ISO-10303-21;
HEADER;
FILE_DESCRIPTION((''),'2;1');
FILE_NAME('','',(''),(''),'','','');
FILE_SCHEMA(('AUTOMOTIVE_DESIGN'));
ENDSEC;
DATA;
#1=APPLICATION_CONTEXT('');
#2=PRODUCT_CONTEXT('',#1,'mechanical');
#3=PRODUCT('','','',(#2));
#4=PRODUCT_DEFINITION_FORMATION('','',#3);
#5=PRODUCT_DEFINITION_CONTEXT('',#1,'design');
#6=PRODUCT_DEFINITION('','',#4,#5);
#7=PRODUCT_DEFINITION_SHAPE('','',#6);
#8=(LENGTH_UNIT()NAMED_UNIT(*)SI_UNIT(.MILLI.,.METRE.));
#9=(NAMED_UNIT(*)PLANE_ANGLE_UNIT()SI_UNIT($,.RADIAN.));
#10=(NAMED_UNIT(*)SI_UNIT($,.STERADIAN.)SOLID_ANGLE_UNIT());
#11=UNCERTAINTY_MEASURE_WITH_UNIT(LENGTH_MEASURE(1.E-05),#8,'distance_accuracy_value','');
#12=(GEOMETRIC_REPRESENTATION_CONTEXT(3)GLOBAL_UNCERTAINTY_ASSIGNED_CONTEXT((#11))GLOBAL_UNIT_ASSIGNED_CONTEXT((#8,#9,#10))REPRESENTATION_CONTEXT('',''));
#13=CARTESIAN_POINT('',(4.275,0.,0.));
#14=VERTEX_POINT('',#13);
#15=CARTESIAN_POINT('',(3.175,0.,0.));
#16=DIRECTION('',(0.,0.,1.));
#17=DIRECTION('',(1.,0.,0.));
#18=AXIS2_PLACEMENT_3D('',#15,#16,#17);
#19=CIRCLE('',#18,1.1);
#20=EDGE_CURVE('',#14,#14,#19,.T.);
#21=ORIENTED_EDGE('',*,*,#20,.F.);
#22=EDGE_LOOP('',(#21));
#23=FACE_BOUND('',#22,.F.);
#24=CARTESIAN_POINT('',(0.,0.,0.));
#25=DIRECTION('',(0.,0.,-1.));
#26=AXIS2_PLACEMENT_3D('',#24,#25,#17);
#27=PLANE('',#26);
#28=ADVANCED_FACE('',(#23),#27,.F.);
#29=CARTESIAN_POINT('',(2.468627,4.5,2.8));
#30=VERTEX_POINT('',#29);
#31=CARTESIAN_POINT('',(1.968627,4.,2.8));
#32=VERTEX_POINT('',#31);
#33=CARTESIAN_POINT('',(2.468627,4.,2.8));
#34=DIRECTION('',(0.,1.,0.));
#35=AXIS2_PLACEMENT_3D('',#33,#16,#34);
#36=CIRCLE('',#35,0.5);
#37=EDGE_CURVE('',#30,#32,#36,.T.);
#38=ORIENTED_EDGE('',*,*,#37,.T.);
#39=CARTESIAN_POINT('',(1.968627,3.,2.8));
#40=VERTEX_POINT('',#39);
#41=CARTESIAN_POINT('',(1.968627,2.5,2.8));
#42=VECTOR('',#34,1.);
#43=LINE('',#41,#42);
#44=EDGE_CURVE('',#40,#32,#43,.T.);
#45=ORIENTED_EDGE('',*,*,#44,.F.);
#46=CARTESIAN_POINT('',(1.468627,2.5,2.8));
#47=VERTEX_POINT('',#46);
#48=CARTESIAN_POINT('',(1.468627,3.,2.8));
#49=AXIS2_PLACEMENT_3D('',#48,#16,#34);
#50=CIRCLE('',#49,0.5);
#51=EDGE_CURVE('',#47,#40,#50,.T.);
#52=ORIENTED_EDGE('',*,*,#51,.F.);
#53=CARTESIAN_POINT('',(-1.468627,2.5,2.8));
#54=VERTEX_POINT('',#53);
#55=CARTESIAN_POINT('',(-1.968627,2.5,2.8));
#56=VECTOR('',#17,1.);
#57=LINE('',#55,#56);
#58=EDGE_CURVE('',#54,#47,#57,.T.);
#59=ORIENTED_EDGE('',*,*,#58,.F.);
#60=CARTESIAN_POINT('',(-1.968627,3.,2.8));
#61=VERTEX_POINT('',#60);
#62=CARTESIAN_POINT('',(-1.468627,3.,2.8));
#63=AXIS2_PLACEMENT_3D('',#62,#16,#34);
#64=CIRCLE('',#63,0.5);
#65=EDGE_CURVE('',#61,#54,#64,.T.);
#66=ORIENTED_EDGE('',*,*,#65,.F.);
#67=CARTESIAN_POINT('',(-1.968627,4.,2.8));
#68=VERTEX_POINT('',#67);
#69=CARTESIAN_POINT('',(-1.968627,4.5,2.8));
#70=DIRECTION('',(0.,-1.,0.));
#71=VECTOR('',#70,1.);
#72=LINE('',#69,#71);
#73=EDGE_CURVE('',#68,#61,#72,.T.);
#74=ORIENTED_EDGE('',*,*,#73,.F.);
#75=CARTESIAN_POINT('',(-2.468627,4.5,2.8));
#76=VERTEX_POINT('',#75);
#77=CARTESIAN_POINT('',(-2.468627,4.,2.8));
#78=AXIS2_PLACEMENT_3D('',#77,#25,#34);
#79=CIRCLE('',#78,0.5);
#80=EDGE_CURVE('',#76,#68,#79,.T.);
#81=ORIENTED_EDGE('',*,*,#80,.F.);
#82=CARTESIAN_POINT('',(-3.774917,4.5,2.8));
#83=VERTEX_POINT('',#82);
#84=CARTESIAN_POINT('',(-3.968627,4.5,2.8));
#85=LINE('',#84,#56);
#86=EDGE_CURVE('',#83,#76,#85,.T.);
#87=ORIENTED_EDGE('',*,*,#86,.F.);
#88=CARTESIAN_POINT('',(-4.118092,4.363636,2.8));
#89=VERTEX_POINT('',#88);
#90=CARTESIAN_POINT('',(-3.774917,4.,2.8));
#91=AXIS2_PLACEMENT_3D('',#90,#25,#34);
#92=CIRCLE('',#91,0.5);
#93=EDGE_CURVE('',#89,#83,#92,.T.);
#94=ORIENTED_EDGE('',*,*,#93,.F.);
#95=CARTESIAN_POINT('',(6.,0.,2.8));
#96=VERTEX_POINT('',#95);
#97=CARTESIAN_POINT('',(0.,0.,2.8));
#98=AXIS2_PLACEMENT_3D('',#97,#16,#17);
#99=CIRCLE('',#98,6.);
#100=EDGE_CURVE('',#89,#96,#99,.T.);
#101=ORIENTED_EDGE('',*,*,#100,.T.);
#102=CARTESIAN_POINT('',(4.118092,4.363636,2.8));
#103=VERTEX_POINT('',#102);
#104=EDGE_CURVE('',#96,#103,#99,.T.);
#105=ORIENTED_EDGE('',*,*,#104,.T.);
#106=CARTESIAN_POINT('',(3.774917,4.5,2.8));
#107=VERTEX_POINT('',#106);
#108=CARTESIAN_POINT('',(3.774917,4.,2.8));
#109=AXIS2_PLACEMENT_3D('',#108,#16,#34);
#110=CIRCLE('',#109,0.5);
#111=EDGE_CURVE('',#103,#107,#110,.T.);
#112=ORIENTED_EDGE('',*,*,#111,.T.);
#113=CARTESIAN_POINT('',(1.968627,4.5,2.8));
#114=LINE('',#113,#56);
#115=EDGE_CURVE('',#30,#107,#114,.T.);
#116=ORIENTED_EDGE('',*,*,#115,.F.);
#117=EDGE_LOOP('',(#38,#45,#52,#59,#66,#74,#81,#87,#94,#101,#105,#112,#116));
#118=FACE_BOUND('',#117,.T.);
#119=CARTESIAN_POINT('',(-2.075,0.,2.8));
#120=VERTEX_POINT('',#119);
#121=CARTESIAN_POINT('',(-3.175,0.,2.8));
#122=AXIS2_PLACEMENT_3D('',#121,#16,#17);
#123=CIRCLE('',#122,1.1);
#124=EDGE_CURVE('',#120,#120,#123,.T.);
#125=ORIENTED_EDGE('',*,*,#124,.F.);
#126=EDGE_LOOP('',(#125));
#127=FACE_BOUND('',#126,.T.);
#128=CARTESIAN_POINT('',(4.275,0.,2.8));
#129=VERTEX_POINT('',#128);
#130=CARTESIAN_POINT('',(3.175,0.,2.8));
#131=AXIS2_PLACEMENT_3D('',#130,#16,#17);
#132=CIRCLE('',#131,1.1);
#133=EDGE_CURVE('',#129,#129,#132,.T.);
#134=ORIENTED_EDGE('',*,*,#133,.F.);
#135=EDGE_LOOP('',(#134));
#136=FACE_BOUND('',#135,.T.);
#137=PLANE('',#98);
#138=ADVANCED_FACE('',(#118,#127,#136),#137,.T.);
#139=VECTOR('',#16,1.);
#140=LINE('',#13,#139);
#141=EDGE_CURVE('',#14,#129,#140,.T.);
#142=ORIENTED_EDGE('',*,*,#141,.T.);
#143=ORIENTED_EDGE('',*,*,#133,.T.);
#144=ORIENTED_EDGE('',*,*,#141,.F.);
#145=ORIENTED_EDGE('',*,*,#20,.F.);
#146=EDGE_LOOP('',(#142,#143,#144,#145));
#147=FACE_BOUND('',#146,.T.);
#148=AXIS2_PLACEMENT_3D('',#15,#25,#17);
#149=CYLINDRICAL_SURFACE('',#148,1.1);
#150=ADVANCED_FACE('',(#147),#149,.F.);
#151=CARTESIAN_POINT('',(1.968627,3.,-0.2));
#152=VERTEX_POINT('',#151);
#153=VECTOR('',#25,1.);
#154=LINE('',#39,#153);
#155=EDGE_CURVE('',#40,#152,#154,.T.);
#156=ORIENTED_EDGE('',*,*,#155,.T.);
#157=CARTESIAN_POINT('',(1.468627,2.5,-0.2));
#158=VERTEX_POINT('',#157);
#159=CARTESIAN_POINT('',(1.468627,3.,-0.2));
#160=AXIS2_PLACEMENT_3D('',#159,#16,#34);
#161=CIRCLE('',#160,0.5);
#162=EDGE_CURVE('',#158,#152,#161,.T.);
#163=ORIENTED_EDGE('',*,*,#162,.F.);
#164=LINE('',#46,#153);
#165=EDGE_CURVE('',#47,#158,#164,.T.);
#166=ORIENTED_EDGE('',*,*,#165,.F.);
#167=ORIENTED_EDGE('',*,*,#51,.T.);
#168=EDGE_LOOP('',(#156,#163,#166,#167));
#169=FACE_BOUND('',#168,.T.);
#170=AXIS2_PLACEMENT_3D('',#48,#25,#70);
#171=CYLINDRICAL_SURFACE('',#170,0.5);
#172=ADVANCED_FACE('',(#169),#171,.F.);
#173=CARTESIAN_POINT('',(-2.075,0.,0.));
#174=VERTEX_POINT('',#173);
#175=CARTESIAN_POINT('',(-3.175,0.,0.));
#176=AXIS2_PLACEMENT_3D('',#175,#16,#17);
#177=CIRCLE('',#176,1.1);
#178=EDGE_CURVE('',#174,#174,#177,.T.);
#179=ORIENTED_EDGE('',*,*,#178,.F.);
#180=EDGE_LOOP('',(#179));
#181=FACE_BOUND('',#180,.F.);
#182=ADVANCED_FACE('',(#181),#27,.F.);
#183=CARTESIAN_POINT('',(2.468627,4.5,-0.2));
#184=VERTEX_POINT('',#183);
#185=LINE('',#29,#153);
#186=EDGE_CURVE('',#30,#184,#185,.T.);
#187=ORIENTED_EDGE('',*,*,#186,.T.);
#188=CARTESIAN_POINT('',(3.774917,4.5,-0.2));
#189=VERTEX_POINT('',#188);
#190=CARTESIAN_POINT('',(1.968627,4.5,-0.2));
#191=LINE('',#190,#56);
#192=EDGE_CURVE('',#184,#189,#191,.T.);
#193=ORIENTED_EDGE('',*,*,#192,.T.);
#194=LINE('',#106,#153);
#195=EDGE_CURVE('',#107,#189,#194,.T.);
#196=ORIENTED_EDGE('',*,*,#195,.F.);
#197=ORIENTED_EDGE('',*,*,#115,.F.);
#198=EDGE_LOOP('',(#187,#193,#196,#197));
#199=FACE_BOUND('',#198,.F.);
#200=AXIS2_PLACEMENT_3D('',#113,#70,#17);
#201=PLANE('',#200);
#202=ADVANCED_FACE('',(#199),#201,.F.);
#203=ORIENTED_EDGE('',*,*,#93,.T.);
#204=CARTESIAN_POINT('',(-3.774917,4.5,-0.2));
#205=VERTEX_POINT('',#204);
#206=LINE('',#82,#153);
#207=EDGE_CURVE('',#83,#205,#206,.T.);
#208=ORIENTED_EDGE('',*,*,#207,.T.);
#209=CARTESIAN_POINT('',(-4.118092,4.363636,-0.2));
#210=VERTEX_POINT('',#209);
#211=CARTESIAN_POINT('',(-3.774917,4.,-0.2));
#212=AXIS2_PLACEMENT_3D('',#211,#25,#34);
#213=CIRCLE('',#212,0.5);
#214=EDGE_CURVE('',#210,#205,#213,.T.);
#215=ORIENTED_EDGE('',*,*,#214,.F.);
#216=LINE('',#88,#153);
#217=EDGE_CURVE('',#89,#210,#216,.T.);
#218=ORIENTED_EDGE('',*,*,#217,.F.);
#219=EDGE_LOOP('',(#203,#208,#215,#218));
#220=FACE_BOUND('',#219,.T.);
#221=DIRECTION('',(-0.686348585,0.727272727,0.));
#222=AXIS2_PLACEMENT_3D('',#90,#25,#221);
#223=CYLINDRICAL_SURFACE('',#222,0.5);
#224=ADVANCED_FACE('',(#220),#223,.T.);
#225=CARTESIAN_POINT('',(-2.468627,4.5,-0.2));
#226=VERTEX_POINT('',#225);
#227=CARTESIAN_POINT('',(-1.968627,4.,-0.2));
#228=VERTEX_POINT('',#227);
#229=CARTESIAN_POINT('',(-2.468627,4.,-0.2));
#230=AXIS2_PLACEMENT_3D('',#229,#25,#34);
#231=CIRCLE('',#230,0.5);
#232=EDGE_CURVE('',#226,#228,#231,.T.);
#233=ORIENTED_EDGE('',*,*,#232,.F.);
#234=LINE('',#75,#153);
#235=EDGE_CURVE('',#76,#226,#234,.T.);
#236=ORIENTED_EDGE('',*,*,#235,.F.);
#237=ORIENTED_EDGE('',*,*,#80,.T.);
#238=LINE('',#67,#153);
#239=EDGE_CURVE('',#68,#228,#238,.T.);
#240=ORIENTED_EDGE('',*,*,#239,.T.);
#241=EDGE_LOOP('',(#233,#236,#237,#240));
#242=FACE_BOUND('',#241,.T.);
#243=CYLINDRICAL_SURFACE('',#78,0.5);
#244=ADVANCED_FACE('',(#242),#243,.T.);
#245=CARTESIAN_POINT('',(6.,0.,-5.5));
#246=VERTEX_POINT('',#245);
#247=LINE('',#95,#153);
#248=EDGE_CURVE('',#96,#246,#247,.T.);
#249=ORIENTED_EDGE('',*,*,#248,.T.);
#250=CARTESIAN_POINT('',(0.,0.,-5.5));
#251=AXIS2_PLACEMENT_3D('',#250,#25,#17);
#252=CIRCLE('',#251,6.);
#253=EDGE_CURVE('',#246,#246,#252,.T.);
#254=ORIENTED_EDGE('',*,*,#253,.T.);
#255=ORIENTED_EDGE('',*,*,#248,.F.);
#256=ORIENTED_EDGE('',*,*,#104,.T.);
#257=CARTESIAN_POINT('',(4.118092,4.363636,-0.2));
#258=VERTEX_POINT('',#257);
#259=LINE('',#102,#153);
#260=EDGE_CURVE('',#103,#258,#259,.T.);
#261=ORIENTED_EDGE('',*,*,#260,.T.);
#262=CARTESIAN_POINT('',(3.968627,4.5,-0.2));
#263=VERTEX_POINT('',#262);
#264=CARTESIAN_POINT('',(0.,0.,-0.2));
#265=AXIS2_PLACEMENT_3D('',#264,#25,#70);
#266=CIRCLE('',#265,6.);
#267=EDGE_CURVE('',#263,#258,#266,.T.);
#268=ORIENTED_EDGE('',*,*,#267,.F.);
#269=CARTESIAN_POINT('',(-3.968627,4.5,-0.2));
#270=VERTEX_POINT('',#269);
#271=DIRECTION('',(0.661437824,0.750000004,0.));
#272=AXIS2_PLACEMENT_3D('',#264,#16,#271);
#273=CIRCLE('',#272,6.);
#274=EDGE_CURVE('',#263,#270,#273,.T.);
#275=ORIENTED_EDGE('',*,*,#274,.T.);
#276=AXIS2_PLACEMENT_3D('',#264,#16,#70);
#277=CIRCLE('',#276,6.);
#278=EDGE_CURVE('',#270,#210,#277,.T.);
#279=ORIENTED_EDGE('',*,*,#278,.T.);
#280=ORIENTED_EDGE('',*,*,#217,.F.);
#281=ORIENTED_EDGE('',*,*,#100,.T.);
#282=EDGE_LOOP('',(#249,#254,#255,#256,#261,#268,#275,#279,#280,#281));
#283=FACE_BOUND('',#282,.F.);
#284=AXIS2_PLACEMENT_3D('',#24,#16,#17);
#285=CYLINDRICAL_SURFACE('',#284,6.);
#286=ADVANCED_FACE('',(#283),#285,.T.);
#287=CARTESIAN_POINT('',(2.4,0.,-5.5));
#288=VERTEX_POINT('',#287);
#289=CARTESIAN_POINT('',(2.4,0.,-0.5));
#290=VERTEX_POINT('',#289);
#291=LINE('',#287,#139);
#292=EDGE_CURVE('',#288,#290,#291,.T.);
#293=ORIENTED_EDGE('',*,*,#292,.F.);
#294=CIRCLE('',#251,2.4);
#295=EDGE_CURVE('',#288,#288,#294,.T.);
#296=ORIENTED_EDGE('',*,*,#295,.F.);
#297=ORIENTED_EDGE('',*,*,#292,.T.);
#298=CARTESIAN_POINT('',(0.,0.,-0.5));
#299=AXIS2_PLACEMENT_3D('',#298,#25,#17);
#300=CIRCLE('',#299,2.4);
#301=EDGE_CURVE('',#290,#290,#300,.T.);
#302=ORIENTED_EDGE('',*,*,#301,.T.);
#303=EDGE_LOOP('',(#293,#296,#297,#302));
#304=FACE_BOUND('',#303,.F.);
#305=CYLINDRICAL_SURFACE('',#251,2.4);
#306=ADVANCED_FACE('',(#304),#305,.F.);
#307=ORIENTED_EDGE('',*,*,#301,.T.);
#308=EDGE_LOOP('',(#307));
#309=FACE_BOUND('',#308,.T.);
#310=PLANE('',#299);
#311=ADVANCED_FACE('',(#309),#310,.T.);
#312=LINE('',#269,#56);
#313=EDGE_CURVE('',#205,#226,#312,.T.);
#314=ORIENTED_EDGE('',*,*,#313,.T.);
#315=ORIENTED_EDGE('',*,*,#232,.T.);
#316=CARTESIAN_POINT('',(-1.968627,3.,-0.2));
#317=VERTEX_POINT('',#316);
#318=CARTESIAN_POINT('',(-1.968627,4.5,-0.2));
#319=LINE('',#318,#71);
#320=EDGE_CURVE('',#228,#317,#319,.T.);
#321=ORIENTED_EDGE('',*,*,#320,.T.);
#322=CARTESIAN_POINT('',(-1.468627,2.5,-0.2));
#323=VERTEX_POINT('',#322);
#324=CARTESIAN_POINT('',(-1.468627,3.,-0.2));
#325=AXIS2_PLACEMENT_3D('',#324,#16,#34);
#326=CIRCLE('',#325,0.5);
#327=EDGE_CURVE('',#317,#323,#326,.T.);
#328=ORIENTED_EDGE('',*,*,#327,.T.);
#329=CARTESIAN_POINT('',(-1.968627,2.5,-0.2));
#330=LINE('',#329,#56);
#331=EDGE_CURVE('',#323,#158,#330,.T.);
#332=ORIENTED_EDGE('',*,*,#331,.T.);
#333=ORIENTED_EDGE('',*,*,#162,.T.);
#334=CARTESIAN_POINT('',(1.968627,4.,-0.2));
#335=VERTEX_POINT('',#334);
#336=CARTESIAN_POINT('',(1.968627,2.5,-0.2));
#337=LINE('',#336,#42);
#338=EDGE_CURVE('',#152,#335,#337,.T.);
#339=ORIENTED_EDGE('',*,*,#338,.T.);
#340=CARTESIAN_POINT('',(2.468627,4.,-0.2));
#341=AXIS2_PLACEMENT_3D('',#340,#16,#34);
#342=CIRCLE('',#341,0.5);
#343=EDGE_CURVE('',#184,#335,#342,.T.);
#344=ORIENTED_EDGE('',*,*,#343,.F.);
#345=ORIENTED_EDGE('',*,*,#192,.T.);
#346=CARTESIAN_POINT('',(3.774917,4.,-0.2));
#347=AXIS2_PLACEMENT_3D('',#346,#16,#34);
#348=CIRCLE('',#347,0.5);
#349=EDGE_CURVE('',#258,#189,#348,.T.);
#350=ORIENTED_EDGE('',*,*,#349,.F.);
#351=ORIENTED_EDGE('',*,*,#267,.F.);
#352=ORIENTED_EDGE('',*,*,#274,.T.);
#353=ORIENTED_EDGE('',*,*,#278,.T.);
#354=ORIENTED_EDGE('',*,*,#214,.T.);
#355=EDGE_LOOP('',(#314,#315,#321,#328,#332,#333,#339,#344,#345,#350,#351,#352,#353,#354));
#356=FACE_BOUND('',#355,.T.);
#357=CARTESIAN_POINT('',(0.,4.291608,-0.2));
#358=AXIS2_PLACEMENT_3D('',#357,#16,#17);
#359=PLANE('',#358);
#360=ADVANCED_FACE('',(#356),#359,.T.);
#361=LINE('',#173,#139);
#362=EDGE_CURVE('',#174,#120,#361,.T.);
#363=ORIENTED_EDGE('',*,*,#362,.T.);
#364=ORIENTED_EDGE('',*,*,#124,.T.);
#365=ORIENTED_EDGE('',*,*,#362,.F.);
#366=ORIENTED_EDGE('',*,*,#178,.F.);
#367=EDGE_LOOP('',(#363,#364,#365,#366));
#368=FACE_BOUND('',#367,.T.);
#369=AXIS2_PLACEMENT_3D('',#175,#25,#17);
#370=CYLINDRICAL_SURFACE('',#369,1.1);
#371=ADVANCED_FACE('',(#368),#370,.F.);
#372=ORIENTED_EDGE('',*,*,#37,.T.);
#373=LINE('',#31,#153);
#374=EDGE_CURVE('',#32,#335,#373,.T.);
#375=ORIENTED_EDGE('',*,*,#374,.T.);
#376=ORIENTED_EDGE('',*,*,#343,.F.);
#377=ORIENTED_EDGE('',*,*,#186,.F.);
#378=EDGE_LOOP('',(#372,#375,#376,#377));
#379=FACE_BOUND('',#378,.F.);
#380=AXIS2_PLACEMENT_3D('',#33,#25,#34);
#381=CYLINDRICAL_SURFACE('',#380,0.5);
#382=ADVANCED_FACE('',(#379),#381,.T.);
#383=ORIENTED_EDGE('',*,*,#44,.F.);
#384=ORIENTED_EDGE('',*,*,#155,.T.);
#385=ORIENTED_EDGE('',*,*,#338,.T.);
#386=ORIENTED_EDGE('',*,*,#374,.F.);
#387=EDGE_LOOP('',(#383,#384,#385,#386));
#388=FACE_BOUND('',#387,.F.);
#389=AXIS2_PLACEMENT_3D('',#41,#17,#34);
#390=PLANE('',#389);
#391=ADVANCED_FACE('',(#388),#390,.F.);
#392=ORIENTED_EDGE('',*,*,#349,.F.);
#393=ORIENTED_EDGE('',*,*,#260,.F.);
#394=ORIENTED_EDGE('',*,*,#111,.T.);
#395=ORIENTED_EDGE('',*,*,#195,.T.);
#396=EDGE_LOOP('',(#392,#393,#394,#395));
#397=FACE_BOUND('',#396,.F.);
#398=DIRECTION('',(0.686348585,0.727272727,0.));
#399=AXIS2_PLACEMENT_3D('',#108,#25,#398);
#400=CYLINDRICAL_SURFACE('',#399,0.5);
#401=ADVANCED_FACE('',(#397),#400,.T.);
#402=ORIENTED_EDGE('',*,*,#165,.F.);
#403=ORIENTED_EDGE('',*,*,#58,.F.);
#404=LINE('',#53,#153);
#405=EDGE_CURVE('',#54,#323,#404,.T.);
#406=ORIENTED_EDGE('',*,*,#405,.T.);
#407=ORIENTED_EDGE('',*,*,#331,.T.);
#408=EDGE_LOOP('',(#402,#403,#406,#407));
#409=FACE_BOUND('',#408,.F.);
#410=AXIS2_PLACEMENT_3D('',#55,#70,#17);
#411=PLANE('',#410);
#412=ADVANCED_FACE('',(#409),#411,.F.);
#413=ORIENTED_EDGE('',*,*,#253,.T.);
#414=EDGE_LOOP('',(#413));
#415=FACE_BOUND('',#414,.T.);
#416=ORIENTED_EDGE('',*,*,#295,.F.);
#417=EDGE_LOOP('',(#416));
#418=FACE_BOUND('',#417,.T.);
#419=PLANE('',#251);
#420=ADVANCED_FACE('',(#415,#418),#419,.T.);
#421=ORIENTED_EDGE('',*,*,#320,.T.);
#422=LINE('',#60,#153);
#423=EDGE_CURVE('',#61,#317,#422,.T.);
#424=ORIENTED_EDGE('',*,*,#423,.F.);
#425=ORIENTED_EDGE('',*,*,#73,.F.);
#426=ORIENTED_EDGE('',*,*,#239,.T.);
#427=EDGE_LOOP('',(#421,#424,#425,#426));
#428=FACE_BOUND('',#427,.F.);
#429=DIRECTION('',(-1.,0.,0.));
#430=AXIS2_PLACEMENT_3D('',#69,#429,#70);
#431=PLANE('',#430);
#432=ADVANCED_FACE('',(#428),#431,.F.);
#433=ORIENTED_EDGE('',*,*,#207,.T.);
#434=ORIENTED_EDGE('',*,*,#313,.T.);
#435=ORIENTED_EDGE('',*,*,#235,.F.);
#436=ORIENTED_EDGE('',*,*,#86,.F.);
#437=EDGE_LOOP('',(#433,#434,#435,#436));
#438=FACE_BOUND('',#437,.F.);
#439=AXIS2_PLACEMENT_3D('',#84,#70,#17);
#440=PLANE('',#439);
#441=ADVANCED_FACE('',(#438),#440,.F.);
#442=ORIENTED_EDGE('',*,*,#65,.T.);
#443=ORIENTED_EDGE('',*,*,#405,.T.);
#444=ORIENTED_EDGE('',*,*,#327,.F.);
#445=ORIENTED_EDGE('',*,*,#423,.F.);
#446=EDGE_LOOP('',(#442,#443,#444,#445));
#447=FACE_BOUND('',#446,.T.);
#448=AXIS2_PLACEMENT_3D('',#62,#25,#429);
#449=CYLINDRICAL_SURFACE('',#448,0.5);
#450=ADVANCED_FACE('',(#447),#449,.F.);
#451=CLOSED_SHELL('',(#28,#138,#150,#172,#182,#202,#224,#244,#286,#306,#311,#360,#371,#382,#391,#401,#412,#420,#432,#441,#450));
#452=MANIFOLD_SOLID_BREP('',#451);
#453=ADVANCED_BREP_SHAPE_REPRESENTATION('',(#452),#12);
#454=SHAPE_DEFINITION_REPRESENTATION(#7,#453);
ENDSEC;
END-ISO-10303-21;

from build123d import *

# Parameters (mm, degrees)
F0_R     = 6
F0_R_2   = 1.1
F1_DEPTH = 2.8
F2_R     = 6
F3_DEPTH = 5.5
F5_DEPTH = 3
F6_R     = 0.5
F7_R     = 2.4
F8_DEPTH = 5


with BuildPart() as f1:
    # F0 (on Top) → F1 (new body)
    with BuildSketch(Plane.XY):
        Circle(F0_R)
        with Locations((-3.175, 0)):
            Circle(F0_R_2, mode=Mode.SUBTRACT)
        with Locations((3.175, 0)):
            Circle(F0_R_2, mode=Mode.SUBTRACT)
    extrude(amount=F1_DEPTH)

    # F2 (on face) → F3 (join)
    with BuildSketch(Plane(origin=(0, 0, 0), x_dir=(1, 0, 0), z_dir=(0, 0, -1))):
        Circle(F2_R)
    extrude(amount=F3_DEPTH)

    # F4 (on face) → F5 (cut)
    with BuildSketch(Plane.XY.offset(2.8)):
        with BuildLine():
            ThreePointArc((3.968627, 4.5), (0, 6), (-3.968627, 4.5))
            Line((-3.968627, 4.5), (-1.968627, 4.5))
            Line((-1.968627, 4.5), (-1.968627, 2.5))
            Line((-1.968627, 2.5), (1.968627, 2.5))
            Line((1.968627, 2.5), (1.968627, 4.5))
            Line((1.968627, 4.5), (3.968627, 4.5))
        make_face()
    extrude(amount=-F5_DEPTH, mode=Mode.SUBTRACT)

    # F6
    f6_edges = [f1.edges().sort_by_distance(p)[0] for p in [
        (-3.968627, 4.5, 1.3),
        (-1.968627, 4.5, 1.3),
        (1.968627, 2.5, 1.3),
        (1.968627, 4.5, 1.3),
        (3.968627, 4.5, 1.3),
        (-1.968627, 2.5, 1.3),
    ]]
    fillet(f6_edges, radius=F6_R)

    # F7 (on face) → F8 (cut)
    with BuildSketch(Plane(origin=(0, 0, -5.5), x_dir=(1, 0, 0), z_dir=(0, 0, -1))):
        Circle(F7_R)
    extrude(amount=-F8_DEPTH, mode=Mode.SUBTRACT)


solid = f1.part
